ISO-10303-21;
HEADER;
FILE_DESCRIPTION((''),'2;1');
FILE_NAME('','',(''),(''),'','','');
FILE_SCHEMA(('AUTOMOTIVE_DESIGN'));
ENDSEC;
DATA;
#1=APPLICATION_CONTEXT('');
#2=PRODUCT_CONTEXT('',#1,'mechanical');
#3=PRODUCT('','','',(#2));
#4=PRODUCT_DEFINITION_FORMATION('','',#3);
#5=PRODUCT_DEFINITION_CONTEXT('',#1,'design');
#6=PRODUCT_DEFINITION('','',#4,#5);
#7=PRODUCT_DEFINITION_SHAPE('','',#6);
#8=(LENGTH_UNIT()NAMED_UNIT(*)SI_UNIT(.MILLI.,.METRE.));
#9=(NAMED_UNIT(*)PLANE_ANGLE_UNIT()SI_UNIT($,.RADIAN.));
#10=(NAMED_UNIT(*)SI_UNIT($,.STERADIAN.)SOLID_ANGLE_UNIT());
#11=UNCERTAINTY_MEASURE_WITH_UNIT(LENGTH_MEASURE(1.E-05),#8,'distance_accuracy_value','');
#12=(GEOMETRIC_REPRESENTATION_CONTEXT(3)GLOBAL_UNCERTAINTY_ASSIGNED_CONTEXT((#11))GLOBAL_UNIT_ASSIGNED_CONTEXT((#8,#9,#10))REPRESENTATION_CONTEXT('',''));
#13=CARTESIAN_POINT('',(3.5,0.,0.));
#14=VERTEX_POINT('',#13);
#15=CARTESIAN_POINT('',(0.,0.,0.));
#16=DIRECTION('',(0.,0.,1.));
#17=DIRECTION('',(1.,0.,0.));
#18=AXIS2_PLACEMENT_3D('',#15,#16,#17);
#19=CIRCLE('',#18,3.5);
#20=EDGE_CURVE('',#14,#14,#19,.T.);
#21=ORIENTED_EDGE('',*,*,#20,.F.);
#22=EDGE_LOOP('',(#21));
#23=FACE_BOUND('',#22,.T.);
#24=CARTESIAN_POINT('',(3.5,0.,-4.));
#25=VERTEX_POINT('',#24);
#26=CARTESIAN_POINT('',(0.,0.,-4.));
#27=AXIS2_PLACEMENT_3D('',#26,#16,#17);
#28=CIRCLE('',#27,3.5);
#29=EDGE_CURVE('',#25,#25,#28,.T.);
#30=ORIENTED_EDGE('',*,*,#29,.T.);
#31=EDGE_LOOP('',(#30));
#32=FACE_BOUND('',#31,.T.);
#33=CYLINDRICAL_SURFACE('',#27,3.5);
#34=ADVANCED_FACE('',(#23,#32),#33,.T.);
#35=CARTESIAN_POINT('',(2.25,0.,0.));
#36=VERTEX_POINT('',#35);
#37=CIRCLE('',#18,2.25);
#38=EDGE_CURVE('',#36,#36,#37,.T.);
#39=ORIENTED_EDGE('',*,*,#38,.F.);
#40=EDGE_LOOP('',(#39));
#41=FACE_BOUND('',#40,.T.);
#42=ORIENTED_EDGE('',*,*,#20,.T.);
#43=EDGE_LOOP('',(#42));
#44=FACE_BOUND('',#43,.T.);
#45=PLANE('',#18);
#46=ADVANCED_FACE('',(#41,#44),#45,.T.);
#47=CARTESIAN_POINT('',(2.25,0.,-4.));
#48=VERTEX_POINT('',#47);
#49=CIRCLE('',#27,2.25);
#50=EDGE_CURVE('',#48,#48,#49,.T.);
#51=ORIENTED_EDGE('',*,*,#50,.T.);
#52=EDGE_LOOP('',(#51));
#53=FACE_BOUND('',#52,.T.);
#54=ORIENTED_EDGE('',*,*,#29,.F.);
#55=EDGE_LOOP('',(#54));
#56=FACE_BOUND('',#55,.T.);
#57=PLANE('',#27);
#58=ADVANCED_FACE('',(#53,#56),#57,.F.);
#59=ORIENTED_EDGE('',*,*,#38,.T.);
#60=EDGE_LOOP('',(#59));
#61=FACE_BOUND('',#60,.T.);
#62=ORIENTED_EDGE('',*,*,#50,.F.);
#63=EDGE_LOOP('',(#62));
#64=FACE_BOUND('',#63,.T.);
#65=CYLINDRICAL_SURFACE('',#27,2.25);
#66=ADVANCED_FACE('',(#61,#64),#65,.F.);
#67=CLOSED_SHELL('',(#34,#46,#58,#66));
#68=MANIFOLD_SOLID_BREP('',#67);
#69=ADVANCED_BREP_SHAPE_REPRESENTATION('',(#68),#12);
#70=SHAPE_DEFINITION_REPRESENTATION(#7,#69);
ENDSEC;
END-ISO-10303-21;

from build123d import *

# Parameters (mm, degrees)
SKETCH1_R           = 3.5
BOSS_EXTRUDE1_DEPTH = 4
SKETCH11_R          = 2.25
CUT_EXTRUDE1_DEPTH  = 4


with BuildPart() as part:
    # Sketch1 → Boss-Extrude1 (new body)
    with BuildSketch(Plane.XY):
        Circle(SKETCH1_R)
    extrude(amount=-BOSS_EXTRUDE1_DEPTH)

    # Sketch11 → Cut-Extrude1 (cut)
    with BuildSketch(Plane.XY):
        Circle(SKETCH11_R)
    extrude(amount=-CUT_EXTRUDE1_DEPTH, mode=Mode.SUBTRACT)


solid = part.part
